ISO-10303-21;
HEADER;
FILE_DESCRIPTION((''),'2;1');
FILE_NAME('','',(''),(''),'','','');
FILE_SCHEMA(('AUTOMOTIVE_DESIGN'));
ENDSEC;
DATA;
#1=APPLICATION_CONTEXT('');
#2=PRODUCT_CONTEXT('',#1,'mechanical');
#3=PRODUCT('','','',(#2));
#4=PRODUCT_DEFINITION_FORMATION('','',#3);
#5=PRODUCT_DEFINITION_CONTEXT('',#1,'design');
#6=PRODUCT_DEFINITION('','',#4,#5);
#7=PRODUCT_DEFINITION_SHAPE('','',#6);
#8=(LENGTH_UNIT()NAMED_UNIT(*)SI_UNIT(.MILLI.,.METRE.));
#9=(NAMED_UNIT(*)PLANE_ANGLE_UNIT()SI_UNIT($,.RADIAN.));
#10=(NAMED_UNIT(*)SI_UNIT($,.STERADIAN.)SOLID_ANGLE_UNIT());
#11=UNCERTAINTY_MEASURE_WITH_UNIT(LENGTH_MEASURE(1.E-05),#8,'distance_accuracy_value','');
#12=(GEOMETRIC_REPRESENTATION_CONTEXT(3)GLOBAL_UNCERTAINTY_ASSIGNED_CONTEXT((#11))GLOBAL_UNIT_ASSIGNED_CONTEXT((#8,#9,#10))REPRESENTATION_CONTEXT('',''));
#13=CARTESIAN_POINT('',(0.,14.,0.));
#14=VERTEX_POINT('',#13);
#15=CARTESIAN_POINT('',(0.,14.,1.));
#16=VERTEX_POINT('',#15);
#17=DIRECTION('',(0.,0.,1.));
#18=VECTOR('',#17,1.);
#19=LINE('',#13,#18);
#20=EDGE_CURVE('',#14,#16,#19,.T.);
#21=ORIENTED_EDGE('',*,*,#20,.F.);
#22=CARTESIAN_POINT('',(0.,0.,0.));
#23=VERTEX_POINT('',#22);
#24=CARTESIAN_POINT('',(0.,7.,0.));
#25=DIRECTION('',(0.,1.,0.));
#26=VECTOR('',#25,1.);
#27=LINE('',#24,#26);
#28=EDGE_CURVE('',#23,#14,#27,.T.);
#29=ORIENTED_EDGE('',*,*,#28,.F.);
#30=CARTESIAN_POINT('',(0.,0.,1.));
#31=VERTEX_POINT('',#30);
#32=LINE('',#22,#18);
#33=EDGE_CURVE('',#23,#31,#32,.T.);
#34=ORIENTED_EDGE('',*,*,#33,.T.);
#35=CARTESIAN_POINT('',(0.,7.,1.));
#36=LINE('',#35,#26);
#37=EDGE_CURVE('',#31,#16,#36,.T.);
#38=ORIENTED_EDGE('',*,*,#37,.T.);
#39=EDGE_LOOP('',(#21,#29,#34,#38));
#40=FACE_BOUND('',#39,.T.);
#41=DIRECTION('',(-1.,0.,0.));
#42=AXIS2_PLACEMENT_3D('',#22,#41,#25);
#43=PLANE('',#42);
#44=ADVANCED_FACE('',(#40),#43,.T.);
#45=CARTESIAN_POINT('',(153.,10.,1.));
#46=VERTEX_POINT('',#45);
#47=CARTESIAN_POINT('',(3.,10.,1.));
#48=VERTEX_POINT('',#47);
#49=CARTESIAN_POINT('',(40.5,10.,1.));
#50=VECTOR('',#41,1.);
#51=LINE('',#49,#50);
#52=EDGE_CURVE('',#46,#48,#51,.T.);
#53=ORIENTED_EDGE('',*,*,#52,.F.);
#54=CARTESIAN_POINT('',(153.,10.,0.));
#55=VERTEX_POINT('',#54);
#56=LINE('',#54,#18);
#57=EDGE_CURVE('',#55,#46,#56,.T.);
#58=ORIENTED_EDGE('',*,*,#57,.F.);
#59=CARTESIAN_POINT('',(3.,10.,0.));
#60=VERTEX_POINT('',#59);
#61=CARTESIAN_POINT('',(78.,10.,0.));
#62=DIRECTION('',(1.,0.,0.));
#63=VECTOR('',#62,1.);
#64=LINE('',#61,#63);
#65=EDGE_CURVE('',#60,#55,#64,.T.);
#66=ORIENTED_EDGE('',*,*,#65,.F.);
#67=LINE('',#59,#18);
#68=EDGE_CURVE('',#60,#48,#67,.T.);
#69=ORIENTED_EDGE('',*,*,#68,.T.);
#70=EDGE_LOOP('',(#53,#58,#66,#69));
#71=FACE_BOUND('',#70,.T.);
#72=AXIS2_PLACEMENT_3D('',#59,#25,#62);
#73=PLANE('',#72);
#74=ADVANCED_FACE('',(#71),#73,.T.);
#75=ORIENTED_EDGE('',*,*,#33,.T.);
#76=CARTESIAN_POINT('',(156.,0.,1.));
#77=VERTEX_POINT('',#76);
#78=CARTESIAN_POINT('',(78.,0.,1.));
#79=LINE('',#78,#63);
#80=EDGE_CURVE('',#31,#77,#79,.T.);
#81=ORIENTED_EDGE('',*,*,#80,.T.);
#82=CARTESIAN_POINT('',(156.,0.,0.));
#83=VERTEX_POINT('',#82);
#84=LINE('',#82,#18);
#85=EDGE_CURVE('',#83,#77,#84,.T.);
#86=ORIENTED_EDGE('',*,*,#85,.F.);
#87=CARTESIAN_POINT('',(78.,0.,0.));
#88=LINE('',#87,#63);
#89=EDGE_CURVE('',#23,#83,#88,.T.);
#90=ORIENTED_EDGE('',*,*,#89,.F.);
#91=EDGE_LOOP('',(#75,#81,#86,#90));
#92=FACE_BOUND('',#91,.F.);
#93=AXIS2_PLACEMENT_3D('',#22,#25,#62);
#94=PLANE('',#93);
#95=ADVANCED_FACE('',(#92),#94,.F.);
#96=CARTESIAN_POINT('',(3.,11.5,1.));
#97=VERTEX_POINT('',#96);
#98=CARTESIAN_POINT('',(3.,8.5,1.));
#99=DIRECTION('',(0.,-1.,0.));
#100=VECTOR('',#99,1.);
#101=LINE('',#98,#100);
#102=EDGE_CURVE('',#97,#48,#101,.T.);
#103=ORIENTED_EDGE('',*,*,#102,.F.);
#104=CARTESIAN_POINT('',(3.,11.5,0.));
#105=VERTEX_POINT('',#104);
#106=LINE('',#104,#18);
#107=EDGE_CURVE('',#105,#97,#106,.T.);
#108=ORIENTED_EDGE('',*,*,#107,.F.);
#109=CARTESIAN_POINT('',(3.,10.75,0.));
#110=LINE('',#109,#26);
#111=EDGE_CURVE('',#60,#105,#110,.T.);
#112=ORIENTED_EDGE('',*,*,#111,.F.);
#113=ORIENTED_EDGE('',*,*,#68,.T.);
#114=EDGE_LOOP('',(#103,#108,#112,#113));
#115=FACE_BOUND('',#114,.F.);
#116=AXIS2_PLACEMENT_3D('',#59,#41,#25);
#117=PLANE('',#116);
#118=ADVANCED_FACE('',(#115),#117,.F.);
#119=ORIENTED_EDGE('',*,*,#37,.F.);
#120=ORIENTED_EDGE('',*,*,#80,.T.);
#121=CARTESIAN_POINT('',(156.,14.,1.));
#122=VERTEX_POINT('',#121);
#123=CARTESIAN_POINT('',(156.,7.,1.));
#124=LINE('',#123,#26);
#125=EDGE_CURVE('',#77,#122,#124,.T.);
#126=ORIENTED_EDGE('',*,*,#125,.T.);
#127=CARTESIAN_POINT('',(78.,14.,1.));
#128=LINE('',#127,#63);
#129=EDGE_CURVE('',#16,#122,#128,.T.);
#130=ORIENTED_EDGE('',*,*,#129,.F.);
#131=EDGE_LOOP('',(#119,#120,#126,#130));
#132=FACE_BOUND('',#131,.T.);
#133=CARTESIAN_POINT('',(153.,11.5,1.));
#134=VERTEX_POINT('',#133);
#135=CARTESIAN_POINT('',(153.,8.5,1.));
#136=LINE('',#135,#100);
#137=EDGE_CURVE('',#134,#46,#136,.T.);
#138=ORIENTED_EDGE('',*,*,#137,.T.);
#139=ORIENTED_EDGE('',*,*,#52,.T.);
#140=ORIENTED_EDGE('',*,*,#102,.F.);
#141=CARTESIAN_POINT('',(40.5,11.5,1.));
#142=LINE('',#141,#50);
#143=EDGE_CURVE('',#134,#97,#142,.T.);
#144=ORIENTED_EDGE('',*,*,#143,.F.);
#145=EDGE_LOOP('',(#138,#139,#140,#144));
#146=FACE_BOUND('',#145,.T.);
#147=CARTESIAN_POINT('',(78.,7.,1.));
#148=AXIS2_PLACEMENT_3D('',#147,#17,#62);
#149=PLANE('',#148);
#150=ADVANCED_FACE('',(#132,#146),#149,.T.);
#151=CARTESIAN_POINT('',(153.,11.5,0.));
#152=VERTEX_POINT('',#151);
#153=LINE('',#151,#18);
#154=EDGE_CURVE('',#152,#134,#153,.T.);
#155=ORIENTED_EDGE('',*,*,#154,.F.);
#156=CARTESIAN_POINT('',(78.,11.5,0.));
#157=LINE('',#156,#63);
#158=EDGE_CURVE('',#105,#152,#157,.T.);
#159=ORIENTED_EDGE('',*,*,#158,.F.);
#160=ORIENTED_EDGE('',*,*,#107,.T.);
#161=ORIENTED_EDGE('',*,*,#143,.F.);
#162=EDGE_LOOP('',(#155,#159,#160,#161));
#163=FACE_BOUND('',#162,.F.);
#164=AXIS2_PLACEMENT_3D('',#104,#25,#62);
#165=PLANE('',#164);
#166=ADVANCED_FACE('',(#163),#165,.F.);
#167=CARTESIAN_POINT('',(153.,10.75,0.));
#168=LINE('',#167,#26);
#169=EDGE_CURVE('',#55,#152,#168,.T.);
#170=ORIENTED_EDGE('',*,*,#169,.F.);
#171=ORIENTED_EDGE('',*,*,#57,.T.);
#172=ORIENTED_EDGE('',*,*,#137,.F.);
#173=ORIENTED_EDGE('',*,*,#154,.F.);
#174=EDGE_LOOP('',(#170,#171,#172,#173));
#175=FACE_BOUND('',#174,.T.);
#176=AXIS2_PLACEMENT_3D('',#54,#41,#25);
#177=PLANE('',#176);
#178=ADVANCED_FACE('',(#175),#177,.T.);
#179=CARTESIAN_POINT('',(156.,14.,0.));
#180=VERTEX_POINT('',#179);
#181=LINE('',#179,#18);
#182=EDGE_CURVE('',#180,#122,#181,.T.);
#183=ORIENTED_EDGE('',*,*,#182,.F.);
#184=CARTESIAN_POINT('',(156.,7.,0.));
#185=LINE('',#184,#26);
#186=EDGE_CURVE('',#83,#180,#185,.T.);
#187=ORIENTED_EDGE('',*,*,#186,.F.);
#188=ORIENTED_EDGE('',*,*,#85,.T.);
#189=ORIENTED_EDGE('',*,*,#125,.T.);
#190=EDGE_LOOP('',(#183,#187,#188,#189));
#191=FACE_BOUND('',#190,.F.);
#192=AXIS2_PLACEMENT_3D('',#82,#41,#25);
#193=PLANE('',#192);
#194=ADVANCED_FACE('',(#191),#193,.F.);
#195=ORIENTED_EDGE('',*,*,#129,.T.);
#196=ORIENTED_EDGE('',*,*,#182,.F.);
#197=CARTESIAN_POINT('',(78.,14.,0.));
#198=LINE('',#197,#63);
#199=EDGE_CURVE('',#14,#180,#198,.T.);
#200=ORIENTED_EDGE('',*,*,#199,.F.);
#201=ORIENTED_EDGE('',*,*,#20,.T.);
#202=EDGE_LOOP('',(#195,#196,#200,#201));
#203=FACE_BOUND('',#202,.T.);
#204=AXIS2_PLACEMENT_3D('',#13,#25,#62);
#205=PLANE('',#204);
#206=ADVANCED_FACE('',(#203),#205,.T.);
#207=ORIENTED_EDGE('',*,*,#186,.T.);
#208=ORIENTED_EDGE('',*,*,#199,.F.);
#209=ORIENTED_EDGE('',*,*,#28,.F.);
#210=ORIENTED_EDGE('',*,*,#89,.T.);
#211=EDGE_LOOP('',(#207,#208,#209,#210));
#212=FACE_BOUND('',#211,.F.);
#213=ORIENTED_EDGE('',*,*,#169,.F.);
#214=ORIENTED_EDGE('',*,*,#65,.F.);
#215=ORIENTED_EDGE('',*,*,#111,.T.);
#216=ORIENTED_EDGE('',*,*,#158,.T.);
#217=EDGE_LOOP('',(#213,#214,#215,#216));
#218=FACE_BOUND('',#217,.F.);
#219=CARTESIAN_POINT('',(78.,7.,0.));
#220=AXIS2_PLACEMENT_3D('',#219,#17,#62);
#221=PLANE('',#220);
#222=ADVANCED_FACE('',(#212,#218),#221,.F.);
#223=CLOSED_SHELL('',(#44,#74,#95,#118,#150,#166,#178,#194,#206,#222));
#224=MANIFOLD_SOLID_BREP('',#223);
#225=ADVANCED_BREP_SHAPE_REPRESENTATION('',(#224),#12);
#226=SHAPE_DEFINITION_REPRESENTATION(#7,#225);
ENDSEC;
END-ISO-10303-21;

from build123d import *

# Parameters (mm, degrees)
BOX001_W     = 150
BOX001_H     = 1.5
BOX001_DEPTH = 10
BOX_W        = 156
BOX_H        = 14
BOX_DEPTH    = 1


with BuildPart() as cube001:
    # Box001 → Box001 (new body)
    with BuildSketch(Plane(origin=(3, 10, 0), x_dir=(1, 0, 0), z_dir=(0, 0, 1))):
        with Locations((75, 0.75)):
            Rectangle(BOX001_W, BOX001_H)
    extrude(amount=BOX001_DEPTH)


with BuildPart() as cut:
    # Box → Box (new body)
    with BuildSketch(Plane.XY):
        with Locations((78, 7)):
            Rectangle(BOX_W, BOX_H)
    extrude(amount=BOX_DEPTH)

    # Cut: cut Cube001
    add(cube001.part, mode=Mode.SUBTRACT)


solid = cut.part
